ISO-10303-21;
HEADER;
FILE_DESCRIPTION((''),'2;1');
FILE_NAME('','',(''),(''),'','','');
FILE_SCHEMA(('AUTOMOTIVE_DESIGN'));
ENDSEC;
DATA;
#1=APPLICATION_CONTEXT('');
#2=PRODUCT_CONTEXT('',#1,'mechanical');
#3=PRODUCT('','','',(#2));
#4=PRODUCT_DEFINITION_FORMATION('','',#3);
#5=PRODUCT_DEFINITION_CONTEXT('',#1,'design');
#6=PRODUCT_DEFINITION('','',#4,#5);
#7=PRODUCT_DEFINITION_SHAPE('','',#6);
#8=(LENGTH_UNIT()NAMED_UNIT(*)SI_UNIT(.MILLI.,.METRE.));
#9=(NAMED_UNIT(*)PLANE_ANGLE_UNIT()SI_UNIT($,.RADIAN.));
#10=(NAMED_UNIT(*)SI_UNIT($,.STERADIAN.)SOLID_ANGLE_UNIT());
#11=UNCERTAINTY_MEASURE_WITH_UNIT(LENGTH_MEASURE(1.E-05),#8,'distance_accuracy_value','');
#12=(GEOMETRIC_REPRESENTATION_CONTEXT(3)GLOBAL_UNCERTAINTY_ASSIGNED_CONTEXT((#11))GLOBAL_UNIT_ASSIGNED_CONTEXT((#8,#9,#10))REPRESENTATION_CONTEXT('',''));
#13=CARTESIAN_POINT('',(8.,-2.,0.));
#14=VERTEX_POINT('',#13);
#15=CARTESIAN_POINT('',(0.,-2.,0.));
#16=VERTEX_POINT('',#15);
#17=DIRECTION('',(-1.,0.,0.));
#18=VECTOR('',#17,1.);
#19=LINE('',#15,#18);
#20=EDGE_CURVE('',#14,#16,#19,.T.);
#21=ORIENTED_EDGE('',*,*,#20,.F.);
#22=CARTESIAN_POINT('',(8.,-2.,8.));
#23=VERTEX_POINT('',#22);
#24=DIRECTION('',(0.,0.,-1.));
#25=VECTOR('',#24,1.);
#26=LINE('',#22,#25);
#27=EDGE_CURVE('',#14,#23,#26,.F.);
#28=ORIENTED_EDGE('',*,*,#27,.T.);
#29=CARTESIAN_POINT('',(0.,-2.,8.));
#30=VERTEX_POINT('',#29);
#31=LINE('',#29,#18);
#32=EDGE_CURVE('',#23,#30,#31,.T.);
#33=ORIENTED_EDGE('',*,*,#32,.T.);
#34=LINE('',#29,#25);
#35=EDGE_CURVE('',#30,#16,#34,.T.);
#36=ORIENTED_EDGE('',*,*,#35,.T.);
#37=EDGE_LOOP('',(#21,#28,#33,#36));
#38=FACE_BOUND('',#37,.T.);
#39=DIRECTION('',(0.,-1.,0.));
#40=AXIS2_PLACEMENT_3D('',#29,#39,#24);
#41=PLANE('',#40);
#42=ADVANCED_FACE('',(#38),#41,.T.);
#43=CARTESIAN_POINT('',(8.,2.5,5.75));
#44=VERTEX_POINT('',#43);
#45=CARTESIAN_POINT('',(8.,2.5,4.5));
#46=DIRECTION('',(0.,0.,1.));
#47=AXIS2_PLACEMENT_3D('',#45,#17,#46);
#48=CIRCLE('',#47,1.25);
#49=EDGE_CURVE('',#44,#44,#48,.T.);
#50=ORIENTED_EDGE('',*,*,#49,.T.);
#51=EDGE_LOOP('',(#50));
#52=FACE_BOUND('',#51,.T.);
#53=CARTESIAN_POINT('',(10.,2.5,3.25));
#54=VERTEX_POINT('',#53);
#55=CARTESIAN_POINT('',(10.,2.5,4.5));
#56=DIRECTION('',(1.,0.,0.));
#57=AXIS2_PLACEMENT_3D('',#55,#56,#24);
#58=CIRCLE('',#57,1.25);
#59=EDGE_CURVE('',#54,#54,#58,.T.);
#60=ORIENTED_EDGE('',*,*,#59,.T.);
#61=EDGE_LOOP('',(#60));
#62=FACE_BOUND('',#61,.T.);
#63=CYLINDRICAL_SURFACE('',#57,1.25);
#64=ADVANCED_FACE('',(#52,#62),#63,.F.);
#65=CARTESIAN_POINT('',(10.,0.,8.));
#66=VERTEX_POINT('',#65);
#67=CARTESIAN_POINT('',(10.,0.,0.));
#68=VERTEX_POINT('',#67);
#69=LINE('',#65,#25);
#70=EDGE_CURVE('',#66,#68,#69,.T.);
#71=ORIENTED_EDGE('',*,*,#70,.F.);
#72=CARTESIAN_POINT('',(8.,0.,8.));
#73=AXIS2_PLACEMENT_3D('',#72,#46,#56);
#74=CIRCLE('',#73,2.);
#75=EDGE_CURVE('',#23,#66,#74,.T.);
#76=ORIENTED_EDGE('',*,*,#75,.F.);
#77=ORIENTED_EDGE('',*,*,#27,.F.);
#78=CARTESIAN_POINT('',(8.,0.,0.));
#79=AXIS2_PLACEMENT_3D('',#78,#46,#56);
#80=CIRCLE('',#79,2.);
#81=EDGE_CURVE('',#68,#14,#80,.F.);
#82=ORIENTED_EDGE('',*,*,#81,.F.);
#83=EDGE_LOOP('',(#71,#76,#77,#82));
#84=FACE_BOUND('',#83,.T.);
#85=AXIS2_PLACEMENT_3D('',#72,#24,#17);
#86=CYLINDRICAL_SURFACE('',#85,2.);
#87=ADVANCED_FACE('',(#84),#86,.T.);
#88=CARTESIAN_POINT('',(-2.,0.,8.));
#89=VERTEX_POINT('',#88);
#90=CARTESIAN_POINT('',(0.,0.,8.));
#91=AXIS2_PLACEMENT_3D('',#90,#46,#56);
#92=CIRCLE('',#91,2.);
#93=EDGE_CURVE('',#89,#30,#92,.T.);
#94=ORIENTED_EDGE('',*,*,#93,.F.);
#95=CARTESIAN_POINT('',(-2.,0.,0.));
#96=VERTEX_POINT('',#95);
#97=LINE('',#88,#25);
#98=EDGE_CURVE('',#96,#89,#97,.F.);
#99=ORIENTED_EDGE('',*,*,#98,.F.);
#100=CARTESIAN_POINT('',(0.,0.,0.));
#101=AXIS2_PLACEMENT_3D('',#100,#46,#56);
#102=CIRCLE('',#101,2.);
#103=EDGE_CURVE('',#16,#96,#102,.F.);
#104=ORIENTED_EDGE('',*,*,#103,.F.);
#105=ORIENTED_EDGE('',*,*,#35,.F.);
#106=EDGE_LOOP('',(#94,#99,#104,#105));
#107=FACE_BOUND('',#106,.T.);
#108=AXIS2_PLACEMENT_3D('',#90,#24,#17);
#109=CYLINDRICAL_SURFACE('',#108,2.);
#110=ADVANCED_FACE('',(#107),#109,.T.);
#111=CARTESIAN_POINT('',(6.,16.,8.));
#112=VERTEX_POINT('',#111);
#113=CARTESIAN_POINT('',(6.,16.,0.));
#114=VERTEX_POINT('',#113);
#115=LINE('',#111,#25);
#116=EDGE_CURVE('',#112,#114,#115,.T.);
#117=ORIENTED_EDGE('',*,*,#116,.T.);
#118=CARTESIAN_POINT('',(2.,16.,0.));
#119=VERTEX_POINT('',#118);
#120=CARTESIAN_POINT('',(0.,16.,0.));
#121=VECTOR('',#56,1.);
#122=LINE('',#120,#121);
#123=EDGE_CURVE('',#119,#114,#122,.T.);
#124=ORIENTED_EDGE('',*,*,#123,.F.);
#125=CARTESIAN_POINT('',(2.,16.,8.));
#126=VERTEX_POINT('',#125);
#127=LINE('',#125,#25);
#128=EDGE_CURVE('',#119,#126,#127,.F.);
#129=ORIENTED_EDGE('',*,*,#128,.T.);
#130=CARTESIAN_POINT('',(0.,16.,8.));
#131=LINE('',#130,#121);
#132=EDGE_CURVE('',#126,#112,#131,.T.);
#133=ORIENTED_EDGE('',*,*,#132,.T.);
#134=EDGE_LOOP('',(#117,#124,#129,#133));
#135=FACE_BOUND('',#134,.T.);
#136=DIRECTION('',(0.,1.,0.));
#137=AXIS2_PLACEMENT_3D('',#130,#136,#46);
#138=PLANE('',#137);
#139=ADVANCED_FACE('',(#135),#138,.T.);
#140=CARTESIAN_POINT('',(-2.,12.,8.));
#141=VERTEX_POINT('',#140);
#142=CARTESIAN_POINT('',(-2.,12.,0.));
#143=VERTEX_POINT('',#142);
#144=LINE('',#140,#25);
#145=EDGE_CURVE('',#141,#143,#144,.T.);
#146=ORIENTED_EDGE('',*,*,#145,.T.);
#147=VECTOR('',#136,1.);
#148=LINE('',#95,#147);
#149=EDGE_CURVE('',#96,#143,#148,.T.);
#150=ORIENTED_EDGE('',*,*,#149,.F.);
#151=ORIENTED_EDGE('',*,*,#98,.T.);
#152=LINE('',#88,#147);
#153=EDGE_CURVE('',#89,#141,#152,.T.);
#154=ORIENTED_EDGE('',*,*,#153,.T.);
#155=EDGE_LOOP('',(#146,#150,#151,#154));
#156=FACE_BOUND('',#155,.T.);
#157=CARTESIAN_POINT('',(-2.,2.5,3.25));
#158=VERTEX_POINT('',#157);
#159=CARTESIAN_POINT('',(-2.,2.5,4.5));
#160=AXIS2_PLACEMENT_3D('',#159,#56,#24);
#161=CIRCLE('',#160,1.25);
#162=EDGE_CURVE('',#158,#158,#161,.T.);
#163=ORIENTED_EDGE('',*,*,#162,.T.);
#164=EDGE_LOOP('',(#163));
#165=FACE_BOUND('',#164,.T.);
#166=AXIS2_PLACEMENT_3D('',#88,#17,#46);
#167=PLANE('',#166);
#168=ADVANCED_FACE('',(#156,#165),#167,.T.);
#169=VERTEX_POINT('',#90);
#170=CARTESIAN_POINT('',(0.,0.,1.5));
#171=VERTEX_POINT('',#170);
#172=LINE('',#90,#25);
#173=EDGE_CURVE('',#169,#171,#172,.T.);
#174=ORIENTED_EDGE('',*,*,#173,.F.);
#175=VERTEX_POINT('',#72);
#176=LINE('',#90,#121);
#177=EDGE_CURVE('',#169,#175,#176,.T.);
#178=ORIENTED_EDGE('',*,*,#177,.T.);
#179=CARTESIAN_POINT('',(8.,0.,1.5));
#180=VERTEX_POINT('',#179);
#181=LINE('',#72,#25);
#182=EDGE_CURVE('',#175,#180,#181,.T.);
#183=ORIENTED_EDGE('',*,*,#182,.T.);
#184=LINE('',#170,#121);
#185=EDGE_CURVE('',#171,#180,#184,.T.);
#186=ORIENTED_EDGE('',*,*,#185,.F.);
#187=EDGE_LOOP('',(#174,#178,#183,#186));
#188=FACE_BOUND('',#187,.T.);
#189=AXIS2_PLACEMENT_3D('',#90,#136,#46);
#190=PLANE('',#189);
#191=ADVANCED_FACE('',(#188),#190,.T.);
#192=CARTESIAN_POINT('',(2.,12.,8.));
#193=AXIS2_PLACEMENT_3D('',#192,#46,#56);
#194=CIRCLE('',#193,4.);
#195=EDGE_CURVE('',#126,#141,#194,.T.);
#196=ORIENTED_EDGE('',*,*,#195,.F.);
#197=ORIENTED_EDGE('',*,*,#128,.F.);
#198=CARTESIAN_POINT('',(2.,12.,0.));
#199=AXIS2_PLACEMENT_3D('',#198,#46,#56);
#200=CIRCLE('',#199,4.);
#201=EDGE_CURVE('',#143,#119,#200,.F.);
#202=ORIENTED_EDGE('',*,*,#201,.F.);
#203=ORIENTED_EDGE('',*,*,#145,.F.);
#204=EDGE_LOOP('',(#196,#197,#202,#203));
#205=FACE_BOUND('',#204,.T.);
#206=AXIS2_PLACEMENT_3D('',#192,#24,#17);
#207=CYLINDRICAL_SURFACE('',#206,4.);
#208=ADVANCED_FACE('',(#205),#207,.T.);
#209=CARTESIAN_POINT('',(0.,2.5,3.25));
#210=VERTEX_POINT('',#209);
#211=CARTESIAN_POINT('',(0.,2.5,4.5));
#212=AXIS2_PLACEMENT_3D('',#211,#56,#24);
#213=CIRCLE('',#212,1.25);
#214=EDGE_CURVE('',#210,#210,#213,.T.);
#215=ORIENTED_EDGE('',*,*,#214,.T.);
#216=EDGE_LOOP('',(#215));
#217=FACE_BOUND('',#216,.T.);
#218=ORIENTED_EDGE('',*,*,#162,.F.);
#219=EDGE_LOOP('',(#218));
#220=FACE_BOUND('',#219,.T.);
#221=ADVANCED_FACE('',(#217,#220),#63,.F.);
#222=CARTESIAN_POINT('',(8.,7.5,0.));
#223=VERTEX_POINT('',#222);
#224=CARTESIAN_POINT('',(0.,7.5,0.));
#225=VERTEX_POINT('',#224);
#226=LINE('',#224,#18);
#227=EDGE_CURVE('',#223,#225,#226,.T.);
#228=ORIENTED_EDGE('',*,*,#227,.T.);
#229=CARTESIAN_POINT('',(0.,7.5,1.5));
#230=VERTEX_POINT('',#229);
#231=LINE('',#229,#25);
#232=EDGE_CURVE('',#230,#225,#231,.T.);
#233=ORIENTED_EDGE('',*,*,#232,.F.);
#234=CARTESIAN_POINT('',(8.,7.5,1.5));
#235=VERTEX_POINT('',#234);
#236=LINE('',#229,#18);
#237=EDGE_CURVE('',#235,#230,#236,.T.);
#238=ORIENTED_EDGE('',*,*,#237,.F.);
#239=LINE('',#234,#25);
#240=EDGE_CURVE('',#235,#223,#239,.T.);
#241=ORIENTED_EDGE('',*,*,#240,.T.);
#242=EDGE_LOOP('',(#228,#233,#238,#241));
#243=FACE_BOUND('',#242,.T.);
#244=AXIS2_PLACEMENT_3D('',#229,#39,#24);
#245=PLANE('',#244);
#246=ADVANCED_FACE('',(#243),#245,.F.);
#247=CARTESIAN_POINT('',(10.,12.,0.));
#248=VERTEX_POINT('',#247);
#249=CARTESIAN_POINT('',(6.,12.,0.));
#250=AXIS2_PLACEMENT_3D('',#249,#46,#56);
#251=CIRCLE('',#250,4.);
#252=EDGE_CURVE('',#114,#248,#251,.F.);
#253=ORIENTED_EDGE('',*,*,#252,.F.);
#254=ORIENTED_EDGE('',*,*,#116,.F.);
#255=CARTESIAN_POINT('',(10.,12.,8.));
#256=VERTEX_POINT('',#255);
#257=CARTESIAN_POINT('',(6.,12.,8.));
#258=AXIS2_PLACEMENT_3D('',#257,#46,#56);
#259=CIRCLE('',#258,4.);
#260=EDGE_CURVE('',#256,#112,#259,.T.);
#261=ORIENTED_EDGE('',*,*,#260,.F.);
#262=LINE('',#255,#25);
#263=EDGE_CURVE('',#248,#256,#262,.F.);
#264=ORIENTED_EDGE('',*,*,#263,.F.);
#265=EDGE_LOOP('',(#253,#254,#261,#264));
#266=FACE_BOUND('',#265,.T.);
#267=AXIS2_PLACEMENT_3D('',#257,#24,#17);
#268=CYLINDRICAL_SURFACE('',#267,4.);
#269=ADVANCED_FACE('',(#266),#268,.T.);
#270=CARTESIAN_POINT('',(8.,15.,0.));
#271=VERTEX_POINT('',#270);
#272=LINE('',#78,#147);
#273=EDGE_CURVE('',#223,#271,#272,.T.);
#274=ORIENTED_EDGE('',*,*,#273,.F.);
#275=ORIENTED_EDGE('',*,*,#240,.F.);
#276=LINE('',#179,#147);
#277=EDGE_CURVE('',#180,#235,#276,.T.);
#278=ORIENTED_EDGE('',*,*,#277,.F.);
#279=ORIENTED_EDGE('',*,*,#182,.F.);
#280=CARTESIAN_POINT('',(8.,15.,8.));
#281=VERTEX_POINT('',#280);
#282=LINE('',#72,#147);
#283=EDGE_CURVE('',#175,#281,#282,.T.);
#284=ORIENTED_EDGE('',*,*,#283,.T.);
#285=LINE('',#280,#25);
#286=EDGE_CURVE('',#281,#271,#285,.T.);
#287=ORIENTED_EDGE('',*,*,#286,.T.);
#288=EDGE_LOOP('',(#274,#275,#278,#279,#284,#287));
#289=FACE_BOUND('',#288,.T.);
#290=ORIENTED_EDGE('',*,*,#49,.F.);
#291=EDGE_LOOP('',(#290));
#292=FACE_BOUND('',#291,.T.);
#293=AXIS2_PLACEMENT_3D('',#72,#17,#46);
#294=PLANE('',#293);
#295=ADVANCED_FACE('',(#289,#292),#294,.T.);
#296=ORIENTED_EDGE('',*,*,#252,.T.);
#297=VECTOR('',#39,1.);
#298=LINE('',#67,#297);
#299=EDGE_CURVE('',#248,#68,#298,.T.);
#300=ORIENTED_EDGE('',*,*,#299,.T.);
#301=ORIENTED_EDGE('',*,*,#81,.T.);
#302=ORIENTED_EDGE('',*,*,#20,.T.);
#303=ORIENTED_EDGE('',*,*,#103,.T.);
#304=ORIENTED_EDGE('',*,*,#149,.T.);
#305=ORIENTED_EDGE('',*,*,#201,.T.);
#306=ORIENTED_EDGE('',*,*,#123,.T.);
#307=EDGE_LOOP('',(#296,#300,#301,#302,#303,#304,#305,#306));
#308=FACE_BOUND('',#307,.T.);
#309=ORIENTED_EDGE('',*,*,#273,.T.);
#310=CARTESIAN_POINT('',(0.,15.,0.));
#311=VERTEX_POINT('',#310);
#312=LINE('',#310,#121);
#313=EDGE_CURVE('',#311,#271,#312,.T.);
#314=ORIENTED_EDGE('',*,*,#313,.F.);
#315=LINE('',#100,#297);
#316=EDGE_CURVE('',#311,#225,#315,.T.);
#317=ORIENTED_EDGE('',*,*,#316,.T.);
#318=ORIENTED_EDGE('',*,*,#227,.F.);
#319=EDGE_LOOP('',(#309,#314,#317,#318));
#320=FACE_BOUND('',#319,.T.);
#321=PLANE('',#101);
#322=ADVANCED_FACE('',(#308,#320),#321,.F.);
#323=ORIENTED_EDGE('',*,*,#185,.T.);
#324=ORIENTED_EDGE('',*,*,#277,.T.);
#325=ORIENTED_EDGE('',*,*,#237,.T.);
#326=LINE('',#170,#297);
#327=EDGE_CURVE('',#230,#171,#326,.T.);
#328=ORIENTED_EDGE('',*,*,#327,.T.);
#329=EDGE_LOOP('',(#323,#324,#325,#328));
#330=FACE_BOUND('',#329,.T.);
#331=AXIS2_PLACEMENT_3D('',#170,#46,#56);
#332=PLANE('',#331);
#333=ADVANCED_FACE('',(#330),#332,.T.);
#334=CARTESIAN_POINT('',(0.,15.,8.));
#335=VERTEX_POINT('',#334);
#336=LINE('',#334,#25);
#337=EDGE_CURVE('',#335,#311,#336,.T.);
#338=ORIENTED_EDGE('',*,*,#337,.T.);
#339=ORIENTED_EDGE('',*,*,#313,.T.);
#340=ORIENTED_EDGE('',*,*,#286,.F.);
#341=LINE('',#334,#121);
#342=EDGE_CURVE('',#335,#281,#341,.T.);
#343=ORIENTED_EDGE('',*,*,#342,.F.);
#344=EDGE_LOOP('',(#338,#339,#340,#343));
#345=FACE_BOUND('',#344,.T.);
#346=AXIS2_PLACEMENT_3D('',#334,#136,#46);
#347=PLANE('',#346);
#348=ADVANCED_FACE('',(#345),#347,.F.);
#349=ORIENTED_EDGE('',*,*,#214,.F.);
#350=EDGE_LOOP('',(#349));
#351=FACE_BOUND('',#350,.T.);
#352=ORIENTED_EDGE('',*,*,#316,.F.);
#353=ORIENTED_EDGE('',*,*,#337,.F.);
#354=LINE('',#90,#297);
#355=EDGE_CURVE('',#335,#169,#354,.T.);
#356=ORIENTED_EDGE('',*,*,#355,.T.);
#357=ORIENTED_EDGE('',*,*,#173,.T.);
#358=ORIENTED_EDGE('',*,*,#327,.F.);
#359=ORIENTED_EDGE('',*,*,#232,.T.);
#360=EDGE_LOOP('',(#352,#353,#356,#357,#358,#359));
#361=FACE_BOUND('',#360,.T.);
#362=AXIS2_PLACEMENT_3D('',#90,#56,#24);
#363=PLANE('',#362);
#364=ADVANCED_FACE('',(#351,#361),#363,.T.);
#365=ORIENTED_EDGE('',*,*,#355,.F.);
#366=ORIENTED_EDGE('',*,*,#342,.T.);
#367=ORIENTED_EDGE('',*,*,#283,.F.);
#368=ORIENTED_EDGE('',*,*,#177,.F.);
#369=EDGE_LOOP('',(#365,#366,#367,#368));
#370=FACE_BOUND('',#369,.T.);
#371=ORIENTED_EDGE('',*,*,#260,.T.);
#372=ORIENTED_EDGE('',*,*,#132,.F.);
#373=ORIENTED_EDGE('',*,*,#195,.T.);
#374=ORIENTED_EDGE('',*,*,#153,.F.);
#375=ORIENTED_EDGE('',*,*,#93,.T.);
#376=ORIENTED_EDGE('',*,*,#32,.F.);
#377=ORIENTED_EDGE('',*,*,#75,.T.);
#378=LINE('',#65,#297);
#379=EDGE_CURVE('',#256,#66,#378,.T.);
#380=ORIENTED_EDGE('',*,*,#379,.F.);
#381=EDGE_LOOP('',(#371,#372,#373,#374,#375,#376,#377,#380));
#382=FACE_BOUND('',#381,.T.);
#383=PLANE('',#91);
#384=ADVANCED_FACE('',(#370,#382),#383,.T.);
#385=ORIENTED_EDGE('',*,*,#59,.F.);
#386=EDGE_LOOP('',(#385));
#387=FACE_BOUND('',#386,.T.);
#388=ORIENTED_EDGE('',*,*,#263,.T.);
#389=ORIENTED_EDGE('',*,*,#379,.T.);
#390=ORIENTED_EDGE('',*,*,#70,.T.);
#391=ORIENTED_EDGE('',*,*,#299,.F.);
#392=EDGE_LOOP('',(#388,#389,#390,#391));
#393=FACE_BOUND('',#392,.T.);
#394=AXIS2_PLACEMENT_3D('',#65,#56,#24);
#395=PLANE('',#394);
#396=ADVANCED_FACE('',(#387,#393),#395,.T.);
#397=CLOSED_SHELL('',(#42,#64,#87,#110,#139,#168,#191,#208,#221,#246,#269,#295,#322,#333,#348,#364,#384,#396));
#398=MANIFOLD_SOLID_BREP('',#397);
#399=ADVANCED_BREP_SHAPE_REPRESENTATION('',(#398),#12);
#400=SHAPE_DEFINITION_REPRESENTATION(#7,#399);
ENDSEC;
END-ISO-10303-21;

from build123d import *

# Parameters (mm, degrees)
SKETCH_1_W         = 12
SKETCH_1_H         = 18
SKETCH_1_W_2       = 8
SKETCH_1_H_2       = 15
EXTRUDE_1_DEPTH    = 8
SKETCH_1_3_W       = 8
SKETCH_1_3_H       = 7.5
EXTRUDE_2_DEPTH    = 1.5
HOLE_WIZARD_M3_1_D = 2.5
FILLET_2_R         = 4
FILLET_3_R         = 2


with BuildPart() as part:
    # 草图1 → 凸台-拉伸1 (new body)
    with BuildSketch(Plane.XY):
        with Locations((4, 7)):
            Rectangle(SKETCH_1_W, SKETCH_1_H)
        with Locations((4, 7.5)):
            Rectangle(SKETCH_1_W_2, SKETCH_1_H_2, mode=Mode.SUBTRACT)
    extrude(amount=EXTRUDE_1_DEPTH)

    # 草图1<3> → 凸台-拉伸2 (add)
    with BuildSketch(Plane.XY):
        with Locations((4, 3.75)):
            Rectangle(SKETCH_1_3_W, SKETCH_1_3_H)
    extrude(amount=EXTRUDE_2_DEPTH)

    # M3 螺纹孔1 (through all)
    with Locations(Plane(origin=(10, 0, 0), x_dir=(0, 0, -1), z_dir=(1, 0, 0))):
        with Locations((-4.5, 2.5)):
            Hole(HOLE_WIZARD_M3_1_D / 2)

    # 圆角2
    fillet_2_edges = [part.edges().sort_by_distance(p)[0] for p in [
        (-2, 16, 4),
        (10, 16, 4),
    ]]
    fillet(fillet_2_edges, radius=FILLET_2_R)

    # 圆角3
    fillet_3_edges = [part.edges().sort_by_distance(p)[0] for p in [
        (10, -2, 4),
        (-2, -2, 4),
    ]]
    fillet(fillet_3_edges, radius=FILLET_3_R)


solid = part.part
